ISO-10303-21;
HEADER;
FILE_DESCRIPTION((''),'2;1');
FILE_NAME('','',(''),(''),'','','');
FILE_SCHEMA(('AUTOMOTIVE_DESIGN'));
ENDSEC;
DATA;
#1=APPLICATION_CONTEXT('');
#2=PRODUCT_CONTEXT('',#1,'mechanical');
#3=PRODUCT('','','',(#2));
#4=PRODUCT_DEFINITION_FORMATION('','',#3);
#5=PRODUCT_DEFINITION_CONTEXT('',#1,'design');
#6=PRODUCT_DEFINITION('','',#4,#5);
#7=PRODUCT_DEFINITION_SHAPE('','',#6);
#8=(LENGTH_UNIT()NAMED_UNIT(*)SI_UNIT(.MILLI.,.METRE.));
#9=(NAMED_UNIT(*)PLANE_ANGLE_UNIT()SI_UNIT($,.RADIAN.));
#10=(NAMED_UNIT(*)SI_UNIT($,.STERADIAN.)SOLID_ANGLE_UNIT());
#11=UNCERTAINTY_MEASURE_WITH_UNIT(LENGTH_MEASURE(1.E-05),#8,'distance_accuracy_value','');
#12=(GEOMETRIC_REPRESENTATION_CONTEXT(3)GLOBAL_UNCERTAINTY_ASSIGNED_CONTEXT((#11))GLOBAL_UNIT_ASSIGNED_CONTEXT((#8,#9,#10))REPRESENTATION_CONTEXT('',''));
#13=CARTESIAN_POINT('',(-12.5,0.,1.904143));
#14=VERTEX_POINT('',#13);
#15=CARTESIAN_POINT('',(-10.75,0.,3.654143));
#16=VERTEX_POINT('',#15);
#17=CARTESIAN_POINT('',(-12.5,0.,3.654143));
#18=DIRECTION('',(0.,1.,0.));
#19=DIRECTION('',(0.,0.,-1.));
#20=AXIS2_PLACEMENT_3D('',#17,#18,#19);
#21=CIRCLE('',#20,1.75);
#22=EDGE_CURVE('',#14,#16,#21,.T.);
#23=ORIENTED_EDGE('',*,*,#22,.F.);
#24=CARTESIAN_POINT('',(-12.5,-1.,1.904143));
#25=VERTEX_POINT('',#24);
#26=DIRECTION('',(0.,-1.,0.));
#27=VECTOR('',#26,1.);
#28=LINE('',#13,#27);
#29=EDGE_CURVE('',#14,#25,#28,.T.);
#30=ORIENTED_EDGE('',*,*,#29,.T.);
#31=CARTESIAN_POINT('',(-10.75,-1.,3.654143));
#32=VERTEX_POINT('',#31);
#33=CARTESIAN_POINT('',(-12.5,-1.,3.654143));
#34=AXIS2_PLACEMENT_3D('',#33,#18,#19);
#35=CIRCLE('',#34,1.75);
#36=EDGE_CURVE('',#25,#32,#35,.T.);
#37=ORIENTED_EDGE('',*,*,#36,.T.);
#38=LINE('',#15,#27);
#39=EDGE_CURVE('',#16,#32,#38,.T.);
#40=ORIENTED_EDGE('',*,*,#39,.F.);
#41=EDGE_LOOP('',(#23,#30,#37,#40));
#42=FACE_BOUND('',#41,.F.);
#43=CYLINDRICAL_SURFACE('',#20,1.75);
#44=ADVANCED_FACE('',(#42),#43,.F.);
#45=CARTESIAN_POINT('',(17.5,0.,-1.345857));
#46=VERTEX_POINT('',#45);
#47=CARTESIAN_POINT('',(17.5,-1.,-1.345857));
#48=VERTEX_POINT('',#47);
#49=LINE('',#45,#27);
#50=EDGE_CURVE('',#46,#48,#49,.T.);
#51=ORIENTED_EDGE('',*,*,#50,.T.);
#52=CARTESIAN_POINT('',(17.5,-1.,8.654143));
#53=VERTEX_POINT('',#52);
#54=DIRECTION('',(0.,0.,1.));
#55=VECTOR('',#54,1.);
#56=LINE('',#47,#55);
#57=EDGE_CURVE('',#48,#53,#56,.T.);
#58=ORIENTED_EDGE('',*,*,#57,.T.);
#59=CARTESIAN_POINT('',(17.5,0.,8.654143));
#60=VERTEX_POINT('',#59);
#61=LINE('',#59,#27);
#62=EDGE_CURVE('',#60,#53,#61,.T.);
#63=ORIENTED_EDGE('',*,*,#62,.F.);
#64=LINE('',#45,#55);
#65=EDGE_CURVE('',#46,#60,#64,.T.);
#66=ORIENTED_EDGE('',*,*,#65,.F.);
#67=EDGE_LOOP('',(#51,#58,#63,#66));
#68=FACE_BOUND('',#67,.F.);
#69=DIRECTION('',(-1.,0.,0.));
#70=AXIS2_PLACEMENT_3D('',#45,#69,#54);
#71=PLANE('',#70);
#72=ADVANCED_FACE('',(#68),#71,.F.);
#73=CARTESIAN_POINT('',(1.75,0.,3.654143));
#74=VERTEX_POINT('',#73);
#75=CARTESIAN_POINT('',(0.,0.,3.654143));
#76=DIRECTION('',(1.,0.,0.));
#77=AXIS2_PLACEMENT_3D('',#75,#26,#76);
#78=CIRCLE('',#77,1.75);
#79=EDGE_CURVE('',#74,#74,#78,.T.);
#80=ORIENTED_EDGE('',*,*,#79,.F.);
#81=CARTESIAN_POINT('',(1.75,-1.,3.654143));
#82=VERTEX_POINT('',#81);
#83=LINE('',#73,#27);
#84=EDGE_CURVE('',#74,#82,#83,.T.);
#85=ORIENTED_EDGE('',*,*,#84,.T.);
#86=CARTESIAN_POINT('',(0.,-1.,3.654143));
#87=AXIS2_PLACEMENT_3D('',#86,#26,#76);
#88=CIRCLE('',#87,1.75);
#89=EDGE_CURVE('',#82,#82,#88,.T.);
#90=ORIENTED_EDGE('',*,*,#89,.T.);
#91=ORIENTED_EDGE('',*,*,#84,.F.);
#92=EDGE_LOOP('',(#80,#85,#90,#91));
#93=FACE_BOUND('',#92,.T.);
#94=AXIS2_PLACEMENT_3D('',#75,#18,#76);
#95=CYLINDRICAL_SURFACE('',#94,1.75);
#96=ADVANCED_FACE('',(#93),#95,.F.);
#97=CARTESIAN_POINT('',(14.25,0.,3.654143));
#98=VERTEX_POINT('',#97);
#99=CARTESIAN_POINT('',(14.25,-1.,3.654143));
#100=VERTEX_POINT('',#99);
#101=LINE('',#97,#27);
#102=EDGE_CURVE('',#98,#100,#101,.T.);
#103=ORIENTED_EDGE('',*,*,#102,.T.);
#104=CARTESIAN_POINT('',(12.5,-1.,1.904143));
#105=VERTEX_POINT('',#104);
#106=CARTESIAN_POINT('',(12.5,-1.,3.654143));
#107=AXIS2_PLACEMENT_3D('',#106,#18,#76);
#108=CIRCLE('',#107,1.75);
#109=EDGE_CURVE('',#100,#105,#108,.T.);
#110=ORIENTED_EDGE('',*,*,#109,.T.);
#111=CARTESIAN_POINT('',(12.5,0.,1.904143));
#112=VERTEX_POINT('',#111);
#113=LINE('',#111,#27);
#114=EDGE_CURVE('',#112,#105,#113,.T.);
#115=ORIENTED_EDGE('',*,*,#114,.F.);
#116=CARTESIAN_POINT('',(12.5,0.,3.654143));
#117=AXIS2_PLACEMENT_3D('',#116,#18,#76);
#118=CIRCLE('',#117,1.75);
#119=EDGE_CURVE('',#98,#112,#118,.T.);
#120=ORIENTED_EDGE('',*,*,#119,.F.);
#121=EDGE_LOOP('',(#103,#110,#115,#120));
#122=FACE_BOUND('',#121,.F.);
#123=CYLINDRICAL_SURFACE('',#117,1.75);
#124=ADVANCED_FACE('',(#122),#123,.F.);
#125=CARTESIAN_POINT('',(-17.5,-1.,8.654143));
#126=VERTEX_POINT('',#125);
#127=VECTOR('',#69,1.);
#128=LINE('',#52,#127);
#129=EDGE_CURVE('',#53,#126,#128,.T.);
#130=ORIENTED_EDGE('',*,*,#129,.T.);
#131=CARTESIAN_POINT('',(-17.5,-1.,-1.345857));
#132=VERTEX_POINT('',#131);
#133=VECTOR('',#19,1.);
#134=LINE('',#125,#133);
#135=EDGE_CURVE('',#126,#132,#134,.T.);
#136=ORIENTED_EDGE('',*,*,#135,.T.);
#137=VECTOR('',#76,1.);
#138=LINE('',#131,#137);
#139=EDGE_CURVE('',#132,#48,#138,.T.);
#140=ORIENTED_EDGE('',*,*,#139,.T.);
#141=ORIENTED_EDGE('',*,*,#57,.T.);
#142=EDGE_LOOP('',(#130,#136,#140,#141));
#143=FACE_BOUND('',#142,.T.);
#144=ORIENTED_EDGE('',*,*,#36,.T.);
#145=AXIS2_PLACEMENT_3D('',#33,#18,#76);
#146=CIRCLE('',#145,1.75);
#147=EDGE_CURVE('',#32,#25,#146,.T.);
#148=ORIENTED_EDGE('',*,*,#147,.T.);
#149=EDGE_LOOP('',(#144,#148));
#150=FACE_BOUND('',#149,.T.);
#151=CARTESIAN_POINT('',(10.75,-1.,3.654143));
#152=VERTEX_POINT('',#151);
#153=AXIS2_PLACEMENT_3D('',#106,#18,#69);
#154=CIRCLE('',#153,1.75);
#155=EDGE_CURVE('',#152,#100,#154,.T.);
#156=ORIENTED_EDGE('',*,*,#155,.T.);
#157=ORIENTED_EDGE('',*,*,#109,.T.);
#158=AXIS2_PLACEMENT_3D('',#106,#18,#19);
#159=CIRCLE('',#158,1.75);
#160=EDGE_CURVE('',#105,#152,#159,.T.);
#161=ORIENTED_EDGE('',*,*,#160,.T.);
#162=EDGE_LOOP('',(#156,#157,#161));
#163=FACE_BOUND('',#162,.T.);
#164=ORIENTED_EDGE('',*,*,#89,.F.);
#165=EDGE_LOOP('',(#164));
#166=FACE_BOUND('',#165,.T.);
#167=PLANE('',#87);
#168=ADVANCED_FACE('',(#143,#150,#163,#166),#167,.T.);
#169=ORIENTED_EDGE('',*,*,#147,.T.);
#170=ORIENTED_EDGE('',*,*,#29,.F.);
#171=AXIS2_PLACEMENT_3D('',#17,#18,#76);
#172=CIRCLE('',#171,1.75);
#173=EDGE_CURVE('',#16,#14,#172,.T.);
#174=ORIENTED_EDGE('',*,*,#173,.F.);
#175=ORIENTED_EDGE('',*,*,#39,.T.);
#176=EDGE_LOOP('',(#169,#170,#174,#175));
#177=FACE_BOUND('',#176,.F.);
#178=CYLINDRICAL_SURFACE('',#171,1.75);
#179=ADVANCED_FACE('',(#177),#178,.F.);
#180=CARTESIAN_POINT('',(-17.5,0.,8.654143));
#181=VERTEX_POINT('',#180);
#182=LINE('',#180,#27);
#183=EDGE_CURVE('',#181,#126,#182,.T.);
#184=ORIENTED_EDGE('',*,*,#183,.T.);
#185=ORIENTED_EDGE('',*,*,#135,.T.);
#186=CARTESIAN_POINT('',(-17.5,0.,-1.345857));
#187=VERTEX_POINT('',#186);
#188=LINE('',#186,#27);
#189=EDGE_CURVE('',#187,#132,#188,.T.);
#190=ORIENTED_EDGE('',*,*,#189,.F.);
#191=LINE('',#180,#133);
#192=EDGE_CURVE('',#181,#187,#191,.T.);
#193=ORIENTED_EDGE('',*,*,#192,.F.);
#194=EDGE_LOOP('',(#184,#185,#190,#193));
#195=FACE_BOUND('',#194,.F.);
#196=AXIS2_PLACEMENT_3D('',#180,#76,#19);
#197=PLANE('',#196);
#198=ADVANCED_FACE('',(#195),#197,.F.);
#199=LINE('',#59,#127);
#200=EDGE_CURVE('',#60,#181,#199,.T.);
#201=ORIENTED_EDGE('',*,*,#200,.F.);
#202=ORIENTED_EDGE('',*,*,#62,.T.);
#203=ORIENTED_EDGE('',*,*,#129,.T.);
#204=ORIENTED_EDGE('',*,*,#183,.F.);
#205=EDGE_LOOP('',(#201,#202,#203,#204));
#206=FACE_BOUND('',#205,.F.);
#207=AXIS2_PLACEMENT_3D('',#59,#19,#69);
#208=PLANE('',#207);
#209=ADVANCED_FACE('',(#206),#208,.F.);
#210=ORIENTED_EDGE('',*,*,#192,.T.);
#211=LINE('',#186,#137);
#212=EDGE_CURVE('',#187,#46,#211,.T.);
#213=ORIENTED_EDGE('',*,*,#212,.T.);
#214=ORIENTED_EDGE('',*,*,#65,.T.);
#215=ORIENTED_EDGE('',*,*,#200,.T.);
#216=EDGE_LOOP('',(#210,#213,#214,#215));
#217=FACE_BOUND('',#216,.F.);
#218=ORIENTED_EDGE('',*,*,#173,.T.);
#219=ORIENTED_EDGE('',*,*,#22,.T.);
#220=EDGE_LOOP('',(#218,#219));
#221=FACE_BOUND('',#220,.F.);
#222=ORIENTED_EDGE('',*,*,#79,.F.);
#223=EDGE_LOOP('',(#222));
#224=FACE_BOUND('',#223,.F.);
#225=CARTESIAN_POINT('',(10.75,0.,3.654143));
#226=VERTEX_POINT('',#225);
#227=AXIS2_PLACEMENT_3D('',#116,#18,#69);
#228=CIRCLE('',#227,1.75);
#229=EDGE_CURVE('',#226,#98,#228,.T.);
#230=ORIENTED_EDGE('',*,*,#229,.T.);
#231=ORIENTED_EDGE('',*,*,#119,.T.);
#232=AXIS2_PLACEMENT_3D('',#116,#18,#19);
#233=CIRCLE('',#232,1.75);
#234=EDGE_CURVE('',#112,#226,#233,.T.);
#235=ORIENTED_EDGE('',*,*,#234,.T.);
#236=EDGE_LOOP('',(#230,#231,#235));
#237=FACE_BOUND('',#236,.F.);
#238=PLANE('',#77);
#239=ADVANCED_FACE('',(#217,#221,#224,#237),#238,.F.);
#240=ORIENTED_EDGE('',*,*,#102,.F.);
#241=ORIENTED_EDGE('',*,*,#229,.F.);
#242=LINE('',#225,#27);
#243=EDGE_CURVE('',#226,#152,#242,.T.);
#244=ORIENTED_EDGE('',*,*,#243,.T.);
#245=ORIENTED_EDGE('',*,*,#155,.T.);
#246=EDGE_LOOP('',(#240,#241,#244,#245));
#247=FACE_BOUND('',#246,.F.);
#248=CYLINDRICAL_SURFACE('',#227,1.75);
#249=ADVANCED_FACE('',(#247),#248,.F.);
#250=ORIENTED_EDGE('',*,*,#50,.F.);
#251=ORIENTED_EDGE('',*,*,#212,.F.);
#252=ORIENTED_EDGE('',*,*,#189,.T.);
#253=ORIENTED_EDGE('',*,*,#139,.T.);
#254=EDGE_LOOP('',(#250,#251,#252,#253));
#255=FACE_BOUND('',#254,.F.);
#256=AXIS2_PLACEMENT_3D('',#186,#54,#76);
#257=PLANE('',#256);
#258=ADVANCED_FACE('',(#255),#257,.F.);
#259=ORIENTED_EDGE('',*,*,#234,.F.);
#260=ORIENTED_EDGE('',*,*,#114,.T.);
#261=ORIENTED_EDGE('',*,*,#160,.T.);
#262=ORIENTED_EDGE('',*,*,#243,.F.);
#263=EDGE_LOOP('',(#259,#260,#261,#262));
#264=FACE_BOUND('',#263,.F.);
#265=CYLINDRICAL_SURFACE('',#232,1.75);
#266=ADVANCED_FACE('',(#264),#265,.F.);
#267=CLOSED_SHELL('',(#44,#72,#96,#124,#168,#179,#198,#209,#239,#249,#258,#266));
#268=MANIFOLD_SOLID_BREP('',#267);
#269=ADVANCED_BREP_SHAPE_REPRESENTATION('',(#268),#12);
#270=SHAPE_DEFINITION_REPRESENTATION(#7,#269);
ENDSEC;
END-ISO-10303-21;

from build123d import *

# Parameters (mm, degrees)
F0_R     = 1.75
F1_DEPTH = 1
F2_DEPTH = 1


with BuildPart() as f1:
    # F0 (on Front) → F1 (new body)
    with BuildSketch(Plane.XZ):
        Polygon((17.5, 8.6541427299), (-17.5, 8.6541427299), (-17.5, -1.3458572701), (-12.5, -1.3458572701), (12.5, -1.3458572701), (17.5, -1.3458572701), align=None)
        with BuildLine():
            ThreePointArc((-10.75, 3.6541427299), (-11.2625631329, 2.4167058629), (-12.5, 1.9041427299))
            ThreePointArc((-12.5, 1.9041427299), (-13.7374368671, 4.891579597), (-10.75, 3.6541427299))
        make_face(mode=Mode.SUBTRACT)
        with Locations((0, 3.6541427299)):
            Circle(F0_R, mode=Mode.SUBTRACT)
        with BuildLine():
            ThreePointArc((14.25, 3.6541427299), (13.7374368671, 2.4167058629), (12.5, 1.9041427299))
            ThreePointArc((12.5, 1.9041427299), (11.2625631329, 2.4167058629), (10.75, 3.6541427299))
            ThreePointArc((10.75, 3.6541427299), (12.5, 5.4041427299), (14.25, 3.6541427299))
        make_face(mode=Mode.SUBTRACT)
    extrude(amount=F1_DEPTH)

    # F2 (add): a face of the model
    f2_faces = [f1.faces().sort_by_distance(p)[0] for p in [
        (17.1359945055, -1, 3.6541427299),
    ]]
    extrude(f2_faces, amount=-F2_DEPTH)


solid = f1.part
